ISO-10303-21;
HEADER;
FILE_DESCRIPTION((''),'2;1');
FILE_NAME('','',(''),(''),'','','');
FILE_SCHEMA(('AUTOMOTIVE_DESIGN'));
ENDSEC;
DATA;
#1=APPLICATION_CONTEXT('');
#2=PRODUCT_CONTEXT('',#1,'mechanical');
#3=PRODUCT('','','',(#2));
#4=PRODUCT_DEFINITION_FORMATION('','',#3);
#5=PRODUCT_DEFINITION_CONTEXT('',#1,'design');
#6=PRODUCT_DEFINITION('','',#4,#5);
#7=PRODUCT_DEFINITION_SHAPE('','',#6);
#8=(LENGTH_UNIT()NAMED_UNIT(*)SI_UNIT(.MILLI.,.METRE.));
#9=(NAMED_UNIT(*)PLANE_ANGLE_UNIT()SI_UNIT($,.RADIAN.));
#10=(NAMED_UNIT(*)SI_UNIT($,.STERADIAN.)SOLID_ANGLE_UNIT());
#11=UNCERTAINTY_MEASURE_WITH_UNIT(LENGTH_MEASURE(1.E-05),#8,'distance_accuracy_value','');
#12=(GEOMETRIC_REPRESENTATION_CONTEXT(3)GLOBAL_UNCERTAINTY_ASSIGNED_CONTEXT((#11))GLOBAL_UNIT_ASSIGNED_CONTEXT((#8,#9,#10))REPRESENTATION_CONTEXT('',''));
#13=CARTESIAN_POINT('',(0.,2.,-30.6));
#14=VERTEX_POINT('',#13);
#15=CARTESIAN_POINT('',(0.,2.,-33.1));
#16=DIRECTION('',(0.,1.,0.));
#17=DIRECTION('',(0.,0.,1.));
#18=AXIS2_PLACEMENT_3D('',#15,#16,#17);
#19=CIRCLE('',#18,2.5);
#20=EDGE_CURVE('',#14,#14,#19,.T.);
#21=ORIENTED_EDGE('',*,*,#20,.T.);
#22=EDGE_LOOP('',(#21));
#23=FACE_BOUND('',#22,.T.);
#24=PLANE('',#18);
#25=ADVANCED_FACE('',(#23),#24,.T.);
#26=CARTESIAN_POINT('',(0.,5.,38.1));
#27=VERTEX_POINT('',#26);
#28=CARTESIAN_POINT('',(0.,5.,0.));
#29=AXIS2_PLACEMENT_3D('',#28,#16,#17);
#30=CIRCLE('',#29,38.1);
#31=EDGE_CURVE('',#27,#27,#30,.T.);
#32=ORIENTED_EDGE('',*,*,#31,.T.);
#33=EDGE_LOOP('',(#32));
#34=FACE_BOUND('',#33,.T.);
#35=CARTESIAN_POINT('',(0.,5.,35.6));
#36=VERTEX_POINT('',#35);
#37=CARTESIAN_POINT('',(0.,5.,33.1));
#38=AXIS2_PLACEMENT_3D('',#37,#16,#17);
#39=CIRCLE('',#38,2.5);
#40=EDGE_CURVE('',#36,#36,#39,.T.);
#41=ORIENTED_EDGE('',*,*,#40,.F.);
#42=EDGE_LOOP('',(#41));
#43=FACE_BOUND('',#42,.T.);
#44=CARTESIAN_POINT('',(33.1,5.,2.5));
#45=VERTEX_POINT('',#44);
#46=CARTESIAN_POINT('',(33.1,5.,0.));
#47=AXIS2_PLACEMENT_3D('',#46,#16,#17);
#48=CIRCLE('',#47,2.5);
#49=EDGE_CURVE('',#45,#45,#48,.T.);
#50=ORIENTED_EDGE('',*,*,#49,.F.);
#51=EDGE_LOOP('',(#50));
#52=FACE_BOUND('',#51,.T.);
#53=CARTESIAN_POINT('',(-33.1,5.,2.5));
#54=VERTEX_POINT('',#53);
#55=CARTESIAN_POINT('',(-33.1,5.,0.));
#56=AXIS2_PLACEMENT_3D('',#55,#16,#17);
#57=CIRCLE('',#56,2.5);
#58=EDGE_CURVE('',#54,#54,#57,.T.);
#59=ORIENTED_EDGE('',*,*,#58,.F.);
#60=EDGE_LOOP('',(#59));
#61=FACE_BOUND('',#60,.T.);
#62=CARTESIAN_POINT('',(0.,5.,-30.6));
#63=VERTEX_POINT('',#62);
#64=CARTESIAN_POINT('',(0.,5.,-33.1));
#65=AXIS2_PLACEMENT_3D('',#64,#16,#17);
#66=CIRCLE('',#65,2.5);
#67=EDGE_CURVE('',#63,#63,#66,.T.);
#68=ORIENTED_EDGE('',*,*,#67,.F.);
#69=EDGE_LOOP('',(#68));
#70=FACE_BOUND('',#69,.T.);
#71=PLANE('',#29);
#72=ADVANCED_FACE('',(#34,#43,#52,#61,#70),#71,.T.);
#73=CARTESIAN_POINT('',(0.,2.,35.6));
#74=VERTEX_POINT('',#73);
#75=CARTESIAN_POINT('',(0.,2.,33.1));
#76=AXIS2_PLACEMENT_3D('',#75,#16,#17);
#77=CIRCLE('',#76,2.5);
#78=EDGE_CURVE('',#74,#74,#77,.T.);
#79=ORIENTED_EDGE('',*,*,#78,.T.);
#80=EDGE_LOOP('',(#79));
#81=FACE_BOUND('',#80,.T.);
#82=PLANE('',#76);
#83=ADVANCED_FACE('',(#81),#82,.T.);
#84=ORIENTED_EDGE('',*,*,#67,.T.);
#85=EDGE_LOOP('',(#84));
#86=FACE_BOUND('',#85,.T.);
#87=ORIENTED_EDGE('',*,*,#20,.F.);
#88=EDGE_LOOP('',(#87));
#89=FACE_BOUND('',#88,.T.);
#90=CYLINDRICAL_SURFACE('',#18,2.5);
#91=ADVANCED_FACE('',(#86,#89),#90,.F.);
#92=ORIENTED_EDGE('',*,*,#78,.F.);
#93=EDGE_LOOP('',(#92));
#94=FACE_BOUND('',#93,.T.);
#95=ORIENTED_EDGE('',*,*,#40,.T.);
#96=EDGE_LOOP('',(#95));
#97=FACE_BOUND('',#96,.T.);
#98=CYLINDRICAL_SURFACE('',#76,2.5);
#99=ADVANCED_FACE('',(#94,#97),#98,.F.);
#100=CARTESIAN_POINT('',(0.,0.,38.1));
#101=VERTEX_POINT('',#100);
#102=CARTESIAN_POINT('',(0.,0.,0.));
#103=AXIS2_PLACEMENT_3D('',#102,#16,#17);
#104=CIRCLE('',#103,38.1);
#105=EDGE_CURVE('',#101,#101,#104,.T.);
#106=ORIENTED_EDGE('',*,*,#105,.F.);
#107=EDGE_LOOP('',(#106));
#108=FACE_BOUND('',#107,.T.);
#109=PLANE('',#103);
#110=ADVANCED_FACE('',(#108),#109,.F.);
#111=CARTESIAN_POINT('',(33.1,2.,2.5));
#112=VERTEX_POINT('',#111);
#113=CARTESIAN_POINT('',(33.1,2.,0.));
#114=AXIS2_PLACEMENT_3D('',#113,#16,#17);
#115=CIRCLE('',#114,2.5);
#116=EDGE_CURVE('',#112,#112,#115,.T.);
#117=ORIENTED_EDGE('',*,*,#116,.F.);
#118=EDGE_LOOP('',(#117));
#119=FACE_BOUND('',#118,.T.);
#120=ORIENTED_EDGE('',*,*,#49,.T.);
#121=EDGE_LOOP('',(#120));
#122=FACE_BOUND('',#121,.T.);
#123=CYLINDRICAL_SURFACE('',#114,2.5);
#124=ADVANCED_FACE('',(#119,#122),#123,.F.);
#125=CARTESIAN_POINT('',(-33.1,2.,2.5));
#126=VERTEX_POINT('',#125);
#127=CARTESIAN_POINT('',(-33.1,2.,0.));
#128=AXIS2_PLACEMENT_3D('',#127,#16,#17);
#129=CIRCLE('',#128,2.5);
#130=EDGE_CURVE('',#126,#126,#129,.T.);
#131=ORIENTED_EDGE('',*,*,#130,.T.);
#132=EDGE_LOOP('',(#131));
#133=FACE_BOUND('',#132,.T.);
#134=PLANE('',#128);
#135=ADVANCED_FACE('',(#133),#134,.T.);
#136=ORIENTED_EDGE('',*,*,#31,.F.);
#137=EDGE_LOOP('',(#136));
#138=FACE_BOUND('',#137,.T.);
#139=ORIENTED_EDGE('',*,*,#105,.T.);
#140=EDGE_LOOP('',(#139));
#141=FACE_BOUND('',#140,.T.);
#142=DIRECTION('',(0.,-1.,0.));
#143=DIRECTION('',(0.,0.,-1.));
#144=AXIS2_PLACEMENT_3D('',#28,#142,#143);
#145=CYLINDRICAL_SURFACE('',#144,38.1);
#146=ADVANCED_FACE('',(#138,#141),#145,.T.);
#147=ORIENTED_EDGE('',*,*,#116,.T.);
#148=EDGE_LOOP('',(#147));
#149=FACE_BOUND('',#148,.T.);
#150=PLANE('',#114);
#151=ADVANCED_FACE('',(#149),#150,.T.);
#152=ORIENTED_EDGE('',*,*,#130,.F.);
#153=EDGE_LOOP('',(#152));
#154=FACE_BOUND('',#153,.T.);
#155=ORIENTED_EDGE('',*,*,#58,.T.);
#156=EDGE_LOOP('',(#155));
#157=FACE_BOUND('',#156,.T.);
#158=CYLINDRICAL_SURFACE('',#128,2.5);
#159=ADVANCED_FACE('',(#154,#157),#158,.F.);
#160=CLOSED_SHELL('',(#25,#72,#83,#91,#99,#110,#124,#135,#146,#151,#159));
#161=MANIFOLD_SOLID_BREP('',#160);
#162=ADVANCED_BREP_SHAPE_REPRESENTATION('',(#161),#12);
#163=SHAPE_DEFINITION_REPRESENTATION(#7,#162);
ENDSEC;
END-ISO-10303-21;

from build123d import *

# Parameters (mm, degrees)
SKETCH1_R           = 38.1
BOSS_EXTRUDE1_DEPTH = 5
SKETCH2_R           = 2.5
CUT_EXTRUDE1_DEPTH  = 3


with BuildPart() as part:
    # Sketch1 → Boss-Extrude1 (new body)
    with BuildSketch(Plane(origin=(0, 0, 0), x_dir=(1, 0, 0), z_dir=(0, 1, 0))):
        with Locations(Location((0, 0, 0), (0, 0, 270))):
            Circle(SKETCH1_R)
    extrude(amount=BOSS_EXTRUDE1_DEPTH)

    # Sketch2 → Cut-Extrude1 (cut)
    with BuildSketch(Plane(origin=(0, 5, 0), x_dir=(1, 0, 0), z_dir=(0, 1, 0))):
        with Locations(Location((-33.1, 0, 0), (0, 0, 270))):
            Circle(SKETCH2_R)
        with Locations(Location((0, -33.1, 0), (0, 0, 270))):
            Circle(SKETCH2_R)
        with Locations(Location((33.1, 0, 0), (0, 0, 270))):
            Circle(SKETCH2_R)
        with Locations(Location((0, 33.1, 0), (0, 0, 270))):
            Circle(SKETCH2_R)
    extrude(amount=-CUT_EXTRUDE1_DEPTH, mode=Mode.SUBTRACT)


solid = part.part
